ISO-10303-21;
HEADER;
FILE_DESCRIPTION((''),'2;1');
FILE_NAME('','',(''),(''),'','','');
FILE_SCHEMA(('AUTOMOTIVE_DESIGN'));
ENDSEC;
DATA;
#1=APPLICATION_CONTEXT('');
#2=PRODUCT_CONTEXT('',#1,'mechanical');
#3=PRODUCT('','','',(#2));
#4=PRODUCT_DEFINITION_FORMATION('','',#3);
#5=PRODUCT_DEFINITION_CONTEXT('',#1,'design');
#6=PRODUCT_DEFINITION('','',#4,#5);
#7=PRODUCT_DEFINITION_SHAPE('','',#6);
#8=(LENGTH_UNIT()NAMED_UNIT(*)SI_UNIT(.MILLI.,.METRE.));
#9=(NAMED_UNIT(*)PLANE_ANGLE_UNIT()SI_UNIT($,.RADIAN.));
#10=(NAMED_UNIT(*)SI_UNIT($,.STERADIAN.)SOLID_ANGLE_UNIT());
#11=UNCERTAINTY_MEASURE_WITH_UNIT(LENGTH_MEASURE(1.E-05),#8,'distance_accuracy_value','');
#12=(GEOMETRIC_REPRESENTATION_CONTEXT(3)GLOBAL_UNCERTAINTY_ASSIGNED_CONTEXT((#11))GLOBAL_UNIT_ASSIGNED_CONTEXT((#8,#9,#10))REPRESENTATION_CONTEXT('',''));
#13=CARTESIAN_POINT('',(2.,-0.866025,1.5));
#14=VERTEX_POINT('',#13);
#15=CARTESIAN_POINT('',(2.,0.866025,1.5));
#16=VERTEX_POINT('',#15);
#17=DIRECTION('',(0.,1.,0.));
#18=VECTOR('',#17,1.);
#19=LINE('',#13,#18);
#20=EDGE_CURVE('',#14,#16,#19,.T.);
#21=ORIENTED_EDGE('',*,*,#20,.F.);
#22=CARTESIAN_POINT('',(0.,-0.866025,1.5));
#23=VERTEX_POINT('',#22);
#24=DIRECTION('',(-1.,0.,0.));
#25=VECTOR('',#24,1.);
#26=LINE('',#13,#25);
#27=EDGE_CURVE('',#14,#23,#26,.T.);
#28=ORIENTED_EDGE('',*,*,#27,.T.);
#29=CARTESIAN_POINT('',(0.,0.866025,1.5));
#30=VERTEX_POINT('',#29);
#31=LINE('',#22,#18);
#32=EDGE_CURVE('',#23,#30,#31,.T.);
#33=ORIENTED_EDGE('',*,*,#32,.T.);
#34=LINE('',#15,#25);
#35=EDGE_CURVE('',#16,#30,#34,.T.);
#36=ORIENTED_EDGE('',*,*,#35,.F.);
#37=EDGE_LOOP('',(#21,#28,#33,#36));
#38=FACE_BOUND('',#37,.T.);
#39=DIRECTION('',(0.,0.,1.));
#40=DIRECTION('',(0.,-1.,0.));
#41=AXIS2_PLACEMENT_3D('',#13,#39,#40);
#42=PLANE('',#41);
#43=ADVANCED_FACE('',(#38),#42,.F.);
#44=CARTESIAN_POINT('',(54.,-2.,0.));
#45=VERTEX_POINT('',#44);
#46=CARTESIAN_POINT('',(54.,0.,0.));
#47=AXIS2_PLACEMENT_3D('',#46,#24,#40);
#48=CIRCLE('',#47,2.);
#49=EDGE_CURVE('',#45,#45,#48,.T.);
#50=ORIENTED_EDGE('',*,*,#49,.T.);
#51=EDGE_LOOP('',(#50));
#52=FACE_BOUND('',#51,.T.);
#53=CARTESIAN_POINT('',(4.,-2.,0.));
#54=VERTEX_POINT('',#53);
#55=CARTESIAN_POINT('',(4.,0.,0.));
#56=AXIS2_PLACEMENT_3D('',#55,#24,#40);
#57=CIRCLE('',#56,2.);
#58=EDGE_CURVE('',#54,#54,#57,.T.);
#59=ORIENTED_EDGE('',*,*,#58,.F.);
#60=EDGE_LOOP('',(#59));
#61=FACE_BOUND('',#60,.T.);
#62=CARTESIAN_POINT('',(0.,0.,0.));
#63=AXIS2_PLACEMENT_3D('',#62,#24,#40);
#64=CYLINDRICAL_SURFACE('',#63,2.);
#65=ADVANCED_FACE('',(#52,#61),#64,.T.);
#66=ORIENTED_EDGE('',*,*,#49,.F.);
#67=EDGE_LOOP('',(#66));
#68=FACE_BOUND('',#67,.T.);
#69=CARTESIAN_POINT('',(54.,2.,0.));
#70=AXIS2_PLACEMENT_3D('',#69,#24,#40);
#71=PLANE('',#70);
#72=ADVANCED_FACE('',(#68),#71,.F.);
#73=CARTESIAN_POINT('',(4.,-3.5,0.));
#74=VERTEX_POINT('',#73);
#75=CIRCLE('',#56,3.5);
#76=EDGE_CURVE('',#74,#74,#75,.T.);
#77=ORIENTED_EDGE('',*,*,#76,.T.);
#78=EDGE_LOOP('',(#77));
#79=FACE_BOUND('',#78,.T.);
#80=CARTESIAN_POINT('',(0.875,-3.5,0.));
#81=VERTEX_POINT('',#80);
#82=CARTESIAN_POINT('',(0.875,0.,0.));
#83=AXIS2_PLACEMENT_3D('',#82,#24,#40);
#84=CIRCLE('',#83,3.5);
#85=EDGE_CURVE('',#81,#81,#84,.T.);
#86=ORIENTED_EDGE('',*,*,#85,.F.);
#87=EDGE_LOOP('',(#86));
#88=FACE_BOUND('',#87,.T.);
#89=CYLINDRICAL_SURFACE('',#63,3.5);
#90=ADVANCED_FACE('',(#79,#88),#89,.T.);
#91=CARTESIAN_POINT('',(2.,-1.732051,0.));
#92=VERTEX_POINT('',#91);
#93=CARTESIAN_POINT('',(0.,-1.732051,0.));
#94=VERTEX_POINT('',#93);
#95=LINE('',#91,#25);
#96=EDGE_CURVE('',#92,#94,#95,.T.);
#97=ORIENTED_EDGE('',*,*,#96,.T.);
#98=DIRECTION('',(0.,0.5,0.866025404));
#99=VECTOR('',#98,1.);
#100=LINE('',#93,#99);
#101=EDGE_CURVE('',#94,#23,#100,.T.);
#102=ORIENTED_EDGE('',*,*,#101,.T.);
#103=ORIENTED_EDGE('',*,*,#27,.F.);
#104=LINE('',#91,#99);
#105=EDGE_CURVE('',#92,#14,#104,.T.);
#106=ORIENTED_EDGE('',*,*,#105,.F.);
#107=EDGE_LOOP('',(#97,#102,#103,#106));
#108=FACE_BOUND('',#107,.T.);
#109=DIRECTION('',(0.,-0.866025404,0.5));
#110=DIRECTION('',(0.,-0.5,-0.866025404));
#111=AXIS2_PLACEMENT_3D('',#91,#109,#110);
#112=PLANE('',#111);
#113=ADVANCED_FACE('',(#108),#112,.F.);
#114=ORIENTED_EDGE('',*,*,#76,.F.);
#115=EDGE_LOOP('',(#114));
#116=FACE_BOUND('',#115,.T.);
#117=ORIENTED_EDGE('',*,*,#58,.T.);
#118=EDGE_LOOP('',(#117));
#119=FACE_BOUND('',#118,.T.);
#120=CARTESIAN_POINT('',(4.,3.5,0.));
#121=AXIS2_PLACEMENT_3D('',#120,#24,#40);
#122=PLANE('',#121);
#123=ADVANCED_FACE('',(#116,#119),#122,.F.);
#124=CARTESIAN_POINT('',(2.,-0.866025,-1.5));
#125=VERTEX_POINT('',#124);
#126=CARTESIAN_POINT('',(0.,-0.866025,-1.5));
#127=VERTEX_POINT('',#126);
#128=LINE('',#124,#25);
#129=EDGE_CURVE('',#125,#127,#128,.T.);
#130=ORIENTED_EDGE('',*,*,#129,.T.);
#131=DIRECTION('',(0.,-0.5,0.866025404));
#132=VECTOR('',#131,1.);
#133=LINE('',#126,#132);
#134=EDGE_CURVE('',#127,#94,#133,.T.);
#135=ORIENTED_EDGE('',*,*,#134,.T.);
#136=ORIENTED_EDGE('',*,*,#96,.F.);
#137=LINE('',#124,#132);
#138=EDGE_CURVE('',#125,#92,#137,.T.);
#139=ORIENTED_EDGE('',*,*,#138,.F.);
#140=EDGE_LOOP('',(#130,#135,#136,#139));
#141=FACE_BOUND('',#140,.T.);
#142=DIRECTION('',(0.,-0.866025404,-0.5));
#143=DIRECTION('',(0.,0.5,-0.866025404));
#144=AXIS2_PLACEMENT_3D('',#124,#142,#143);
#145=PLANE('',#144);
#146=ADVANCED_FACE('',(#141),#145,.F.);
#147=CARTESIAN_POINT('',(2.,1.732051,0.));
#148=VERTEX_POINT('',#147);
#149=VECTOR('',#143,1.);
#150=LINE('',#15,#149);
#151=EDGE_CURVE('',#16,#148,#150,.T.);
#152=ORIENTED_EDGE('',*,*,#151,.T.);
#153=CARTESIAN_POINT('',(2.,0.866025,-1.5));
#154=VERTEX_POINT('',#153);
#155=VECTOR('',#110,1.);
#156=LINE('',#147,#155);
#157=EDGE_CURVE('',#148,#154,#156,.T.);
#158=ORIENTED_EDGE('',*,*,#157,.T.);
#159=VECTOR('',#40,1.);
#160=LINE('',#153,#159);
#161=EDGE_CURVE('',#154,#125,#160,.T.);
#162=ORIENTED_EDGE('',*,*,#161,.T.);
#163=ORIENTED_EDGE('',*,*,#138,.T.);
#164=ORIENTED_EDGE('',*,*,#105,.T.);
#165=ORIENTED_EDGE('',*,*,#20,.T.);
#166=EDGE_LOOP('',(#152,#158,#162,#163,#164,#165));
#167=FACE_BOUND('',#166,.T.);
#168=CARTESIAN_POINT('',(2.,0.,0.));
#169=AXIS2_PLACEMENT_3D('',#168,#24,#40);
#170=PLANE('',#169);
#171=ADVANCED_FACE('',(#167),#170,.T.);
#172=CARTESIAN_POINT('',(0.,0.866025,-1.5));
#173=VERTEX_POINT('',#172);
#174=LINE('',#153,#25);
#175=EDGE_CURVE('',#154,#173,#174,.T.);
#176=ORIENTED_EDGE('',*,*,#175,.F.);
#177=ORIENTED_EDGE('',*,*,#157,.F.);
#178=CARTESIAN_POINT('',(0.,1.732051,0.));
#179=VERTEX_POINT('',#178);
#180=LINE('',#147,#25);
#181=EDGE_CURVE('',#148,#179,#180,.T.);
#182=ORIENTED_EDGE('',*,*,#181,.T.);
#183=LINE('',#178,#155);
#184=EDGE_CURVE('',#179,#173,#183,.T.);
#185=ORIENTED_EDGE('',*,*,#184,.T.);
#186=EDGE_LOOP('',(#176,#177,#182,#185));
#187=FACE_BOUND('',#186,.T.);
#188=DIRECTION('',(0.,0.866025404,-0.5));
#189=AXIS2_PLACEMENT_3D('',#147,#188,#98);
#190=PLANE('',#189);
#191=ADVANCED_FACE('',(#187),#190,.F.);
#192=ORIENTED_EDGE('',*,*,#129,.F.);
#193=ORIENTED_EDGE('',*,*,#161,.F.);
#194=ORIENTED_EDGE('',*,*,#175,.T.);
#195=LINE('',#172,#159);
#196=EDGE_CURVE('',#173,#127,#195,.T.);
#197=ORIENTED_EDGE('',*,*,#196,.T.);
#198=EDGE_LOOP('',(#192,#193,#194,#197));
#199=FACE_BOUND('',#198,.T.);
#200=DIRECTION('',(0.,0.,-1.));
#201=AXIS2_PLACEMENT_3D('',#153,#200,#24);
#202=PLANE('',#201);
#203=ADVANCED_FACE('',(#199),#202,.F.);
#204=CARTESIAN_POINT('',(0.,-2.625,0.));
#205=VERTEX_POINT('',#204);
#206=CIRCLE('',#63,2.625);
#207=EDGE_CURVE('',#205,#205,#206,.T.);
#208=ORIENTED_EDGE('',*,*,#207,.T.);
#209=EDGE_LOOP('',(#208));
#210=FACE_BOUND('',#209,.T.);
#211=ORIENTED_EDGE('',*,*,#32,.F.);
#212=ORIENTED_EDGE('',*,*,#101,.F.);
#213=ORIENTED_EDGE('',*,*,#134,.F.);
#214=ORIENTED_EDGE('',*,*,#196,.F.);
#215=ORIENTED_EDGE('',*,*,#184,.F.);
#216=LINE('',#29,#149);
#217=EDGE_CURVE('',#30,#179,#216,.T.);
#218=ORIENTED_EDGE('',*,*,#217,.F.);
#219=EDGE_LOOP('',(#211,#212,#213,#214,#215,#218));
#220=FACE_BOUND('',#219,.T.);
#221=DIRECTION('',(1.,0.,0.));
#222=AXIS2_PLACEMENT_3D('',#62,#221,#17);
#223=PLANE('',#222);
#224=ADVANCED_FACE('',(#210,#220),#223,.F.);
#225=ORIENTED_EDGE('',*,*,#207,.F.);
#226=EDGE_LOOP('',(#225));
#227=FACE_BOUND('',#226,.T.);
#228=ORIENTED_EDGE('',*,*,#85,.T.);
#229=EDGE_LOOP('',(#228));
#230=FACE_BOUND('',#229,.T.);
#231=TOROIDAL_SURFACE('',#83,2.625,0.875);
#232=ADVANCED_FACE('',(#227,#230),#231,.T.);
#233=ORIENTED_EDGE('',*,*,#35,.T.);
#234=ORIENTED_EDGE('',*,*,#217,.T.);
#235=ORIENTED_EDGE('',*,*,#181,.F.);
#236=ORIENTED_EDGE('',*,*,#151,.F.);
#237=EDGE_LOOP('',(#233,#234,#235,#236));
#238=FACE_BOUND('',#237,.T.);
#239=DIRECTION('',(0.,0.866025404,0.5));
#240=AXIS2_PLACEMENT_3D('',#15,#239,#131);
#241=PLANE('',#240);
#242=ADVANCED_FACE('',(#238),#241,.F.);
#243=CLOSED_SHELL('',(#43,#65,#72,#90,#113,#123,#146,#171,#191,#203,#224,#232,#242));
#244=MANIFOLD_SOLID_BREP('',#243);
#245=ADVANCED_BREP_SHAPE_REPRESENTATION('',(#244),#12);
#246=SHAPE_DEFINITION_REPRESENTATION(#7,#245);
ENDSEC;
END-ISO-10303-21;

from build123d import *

# Parameters (mm, degrees)
CUT_EXTRUDE1_DEPTH = 2


with BuildPart() as part:
    # Sketch1 → Revolve1 (revolve)
    with BuildSketch(Plane.XY, mode=Mode.PRIVATE) as revolve1_sk:
        with BuildLine():
            Line((0, 0), (0, 2.625))
            ThreePointArc((0, 2.625), (0.256281566, 3.243718434), (0.875, 3.5))
            Line((0.875, 3.5), (4, 3.5))
            Line((4, 3.5), (4, 2))
            Line((4, 2), (54, 2))
            Line((54, 2), (54, 0))
            Line((54, 0), (0, 0))
        make_face()
    revolve(revolve1_sk.sketch.rotate(Axis((0, 0, 0), (1, 0, 0)), 180), axis=Axis((0, 0, 0), (1, 0, 0)))

    # Sketch2 → Cut-Extrude1 (cut)
    with BuildSketch(Plane.ZY):
        Polygon((0, 1.732050808), (-1.5, 0.866025404), (-1.5, -0.866025404), (0, -1.732050808), (1.5, -0.866025404), (1.5, 0.866025404), align=None)
    extrude(amount=-CUT_EXTRUDE1_DEPTH, mode=Mode.SUBTRACT)


solid = part.part
